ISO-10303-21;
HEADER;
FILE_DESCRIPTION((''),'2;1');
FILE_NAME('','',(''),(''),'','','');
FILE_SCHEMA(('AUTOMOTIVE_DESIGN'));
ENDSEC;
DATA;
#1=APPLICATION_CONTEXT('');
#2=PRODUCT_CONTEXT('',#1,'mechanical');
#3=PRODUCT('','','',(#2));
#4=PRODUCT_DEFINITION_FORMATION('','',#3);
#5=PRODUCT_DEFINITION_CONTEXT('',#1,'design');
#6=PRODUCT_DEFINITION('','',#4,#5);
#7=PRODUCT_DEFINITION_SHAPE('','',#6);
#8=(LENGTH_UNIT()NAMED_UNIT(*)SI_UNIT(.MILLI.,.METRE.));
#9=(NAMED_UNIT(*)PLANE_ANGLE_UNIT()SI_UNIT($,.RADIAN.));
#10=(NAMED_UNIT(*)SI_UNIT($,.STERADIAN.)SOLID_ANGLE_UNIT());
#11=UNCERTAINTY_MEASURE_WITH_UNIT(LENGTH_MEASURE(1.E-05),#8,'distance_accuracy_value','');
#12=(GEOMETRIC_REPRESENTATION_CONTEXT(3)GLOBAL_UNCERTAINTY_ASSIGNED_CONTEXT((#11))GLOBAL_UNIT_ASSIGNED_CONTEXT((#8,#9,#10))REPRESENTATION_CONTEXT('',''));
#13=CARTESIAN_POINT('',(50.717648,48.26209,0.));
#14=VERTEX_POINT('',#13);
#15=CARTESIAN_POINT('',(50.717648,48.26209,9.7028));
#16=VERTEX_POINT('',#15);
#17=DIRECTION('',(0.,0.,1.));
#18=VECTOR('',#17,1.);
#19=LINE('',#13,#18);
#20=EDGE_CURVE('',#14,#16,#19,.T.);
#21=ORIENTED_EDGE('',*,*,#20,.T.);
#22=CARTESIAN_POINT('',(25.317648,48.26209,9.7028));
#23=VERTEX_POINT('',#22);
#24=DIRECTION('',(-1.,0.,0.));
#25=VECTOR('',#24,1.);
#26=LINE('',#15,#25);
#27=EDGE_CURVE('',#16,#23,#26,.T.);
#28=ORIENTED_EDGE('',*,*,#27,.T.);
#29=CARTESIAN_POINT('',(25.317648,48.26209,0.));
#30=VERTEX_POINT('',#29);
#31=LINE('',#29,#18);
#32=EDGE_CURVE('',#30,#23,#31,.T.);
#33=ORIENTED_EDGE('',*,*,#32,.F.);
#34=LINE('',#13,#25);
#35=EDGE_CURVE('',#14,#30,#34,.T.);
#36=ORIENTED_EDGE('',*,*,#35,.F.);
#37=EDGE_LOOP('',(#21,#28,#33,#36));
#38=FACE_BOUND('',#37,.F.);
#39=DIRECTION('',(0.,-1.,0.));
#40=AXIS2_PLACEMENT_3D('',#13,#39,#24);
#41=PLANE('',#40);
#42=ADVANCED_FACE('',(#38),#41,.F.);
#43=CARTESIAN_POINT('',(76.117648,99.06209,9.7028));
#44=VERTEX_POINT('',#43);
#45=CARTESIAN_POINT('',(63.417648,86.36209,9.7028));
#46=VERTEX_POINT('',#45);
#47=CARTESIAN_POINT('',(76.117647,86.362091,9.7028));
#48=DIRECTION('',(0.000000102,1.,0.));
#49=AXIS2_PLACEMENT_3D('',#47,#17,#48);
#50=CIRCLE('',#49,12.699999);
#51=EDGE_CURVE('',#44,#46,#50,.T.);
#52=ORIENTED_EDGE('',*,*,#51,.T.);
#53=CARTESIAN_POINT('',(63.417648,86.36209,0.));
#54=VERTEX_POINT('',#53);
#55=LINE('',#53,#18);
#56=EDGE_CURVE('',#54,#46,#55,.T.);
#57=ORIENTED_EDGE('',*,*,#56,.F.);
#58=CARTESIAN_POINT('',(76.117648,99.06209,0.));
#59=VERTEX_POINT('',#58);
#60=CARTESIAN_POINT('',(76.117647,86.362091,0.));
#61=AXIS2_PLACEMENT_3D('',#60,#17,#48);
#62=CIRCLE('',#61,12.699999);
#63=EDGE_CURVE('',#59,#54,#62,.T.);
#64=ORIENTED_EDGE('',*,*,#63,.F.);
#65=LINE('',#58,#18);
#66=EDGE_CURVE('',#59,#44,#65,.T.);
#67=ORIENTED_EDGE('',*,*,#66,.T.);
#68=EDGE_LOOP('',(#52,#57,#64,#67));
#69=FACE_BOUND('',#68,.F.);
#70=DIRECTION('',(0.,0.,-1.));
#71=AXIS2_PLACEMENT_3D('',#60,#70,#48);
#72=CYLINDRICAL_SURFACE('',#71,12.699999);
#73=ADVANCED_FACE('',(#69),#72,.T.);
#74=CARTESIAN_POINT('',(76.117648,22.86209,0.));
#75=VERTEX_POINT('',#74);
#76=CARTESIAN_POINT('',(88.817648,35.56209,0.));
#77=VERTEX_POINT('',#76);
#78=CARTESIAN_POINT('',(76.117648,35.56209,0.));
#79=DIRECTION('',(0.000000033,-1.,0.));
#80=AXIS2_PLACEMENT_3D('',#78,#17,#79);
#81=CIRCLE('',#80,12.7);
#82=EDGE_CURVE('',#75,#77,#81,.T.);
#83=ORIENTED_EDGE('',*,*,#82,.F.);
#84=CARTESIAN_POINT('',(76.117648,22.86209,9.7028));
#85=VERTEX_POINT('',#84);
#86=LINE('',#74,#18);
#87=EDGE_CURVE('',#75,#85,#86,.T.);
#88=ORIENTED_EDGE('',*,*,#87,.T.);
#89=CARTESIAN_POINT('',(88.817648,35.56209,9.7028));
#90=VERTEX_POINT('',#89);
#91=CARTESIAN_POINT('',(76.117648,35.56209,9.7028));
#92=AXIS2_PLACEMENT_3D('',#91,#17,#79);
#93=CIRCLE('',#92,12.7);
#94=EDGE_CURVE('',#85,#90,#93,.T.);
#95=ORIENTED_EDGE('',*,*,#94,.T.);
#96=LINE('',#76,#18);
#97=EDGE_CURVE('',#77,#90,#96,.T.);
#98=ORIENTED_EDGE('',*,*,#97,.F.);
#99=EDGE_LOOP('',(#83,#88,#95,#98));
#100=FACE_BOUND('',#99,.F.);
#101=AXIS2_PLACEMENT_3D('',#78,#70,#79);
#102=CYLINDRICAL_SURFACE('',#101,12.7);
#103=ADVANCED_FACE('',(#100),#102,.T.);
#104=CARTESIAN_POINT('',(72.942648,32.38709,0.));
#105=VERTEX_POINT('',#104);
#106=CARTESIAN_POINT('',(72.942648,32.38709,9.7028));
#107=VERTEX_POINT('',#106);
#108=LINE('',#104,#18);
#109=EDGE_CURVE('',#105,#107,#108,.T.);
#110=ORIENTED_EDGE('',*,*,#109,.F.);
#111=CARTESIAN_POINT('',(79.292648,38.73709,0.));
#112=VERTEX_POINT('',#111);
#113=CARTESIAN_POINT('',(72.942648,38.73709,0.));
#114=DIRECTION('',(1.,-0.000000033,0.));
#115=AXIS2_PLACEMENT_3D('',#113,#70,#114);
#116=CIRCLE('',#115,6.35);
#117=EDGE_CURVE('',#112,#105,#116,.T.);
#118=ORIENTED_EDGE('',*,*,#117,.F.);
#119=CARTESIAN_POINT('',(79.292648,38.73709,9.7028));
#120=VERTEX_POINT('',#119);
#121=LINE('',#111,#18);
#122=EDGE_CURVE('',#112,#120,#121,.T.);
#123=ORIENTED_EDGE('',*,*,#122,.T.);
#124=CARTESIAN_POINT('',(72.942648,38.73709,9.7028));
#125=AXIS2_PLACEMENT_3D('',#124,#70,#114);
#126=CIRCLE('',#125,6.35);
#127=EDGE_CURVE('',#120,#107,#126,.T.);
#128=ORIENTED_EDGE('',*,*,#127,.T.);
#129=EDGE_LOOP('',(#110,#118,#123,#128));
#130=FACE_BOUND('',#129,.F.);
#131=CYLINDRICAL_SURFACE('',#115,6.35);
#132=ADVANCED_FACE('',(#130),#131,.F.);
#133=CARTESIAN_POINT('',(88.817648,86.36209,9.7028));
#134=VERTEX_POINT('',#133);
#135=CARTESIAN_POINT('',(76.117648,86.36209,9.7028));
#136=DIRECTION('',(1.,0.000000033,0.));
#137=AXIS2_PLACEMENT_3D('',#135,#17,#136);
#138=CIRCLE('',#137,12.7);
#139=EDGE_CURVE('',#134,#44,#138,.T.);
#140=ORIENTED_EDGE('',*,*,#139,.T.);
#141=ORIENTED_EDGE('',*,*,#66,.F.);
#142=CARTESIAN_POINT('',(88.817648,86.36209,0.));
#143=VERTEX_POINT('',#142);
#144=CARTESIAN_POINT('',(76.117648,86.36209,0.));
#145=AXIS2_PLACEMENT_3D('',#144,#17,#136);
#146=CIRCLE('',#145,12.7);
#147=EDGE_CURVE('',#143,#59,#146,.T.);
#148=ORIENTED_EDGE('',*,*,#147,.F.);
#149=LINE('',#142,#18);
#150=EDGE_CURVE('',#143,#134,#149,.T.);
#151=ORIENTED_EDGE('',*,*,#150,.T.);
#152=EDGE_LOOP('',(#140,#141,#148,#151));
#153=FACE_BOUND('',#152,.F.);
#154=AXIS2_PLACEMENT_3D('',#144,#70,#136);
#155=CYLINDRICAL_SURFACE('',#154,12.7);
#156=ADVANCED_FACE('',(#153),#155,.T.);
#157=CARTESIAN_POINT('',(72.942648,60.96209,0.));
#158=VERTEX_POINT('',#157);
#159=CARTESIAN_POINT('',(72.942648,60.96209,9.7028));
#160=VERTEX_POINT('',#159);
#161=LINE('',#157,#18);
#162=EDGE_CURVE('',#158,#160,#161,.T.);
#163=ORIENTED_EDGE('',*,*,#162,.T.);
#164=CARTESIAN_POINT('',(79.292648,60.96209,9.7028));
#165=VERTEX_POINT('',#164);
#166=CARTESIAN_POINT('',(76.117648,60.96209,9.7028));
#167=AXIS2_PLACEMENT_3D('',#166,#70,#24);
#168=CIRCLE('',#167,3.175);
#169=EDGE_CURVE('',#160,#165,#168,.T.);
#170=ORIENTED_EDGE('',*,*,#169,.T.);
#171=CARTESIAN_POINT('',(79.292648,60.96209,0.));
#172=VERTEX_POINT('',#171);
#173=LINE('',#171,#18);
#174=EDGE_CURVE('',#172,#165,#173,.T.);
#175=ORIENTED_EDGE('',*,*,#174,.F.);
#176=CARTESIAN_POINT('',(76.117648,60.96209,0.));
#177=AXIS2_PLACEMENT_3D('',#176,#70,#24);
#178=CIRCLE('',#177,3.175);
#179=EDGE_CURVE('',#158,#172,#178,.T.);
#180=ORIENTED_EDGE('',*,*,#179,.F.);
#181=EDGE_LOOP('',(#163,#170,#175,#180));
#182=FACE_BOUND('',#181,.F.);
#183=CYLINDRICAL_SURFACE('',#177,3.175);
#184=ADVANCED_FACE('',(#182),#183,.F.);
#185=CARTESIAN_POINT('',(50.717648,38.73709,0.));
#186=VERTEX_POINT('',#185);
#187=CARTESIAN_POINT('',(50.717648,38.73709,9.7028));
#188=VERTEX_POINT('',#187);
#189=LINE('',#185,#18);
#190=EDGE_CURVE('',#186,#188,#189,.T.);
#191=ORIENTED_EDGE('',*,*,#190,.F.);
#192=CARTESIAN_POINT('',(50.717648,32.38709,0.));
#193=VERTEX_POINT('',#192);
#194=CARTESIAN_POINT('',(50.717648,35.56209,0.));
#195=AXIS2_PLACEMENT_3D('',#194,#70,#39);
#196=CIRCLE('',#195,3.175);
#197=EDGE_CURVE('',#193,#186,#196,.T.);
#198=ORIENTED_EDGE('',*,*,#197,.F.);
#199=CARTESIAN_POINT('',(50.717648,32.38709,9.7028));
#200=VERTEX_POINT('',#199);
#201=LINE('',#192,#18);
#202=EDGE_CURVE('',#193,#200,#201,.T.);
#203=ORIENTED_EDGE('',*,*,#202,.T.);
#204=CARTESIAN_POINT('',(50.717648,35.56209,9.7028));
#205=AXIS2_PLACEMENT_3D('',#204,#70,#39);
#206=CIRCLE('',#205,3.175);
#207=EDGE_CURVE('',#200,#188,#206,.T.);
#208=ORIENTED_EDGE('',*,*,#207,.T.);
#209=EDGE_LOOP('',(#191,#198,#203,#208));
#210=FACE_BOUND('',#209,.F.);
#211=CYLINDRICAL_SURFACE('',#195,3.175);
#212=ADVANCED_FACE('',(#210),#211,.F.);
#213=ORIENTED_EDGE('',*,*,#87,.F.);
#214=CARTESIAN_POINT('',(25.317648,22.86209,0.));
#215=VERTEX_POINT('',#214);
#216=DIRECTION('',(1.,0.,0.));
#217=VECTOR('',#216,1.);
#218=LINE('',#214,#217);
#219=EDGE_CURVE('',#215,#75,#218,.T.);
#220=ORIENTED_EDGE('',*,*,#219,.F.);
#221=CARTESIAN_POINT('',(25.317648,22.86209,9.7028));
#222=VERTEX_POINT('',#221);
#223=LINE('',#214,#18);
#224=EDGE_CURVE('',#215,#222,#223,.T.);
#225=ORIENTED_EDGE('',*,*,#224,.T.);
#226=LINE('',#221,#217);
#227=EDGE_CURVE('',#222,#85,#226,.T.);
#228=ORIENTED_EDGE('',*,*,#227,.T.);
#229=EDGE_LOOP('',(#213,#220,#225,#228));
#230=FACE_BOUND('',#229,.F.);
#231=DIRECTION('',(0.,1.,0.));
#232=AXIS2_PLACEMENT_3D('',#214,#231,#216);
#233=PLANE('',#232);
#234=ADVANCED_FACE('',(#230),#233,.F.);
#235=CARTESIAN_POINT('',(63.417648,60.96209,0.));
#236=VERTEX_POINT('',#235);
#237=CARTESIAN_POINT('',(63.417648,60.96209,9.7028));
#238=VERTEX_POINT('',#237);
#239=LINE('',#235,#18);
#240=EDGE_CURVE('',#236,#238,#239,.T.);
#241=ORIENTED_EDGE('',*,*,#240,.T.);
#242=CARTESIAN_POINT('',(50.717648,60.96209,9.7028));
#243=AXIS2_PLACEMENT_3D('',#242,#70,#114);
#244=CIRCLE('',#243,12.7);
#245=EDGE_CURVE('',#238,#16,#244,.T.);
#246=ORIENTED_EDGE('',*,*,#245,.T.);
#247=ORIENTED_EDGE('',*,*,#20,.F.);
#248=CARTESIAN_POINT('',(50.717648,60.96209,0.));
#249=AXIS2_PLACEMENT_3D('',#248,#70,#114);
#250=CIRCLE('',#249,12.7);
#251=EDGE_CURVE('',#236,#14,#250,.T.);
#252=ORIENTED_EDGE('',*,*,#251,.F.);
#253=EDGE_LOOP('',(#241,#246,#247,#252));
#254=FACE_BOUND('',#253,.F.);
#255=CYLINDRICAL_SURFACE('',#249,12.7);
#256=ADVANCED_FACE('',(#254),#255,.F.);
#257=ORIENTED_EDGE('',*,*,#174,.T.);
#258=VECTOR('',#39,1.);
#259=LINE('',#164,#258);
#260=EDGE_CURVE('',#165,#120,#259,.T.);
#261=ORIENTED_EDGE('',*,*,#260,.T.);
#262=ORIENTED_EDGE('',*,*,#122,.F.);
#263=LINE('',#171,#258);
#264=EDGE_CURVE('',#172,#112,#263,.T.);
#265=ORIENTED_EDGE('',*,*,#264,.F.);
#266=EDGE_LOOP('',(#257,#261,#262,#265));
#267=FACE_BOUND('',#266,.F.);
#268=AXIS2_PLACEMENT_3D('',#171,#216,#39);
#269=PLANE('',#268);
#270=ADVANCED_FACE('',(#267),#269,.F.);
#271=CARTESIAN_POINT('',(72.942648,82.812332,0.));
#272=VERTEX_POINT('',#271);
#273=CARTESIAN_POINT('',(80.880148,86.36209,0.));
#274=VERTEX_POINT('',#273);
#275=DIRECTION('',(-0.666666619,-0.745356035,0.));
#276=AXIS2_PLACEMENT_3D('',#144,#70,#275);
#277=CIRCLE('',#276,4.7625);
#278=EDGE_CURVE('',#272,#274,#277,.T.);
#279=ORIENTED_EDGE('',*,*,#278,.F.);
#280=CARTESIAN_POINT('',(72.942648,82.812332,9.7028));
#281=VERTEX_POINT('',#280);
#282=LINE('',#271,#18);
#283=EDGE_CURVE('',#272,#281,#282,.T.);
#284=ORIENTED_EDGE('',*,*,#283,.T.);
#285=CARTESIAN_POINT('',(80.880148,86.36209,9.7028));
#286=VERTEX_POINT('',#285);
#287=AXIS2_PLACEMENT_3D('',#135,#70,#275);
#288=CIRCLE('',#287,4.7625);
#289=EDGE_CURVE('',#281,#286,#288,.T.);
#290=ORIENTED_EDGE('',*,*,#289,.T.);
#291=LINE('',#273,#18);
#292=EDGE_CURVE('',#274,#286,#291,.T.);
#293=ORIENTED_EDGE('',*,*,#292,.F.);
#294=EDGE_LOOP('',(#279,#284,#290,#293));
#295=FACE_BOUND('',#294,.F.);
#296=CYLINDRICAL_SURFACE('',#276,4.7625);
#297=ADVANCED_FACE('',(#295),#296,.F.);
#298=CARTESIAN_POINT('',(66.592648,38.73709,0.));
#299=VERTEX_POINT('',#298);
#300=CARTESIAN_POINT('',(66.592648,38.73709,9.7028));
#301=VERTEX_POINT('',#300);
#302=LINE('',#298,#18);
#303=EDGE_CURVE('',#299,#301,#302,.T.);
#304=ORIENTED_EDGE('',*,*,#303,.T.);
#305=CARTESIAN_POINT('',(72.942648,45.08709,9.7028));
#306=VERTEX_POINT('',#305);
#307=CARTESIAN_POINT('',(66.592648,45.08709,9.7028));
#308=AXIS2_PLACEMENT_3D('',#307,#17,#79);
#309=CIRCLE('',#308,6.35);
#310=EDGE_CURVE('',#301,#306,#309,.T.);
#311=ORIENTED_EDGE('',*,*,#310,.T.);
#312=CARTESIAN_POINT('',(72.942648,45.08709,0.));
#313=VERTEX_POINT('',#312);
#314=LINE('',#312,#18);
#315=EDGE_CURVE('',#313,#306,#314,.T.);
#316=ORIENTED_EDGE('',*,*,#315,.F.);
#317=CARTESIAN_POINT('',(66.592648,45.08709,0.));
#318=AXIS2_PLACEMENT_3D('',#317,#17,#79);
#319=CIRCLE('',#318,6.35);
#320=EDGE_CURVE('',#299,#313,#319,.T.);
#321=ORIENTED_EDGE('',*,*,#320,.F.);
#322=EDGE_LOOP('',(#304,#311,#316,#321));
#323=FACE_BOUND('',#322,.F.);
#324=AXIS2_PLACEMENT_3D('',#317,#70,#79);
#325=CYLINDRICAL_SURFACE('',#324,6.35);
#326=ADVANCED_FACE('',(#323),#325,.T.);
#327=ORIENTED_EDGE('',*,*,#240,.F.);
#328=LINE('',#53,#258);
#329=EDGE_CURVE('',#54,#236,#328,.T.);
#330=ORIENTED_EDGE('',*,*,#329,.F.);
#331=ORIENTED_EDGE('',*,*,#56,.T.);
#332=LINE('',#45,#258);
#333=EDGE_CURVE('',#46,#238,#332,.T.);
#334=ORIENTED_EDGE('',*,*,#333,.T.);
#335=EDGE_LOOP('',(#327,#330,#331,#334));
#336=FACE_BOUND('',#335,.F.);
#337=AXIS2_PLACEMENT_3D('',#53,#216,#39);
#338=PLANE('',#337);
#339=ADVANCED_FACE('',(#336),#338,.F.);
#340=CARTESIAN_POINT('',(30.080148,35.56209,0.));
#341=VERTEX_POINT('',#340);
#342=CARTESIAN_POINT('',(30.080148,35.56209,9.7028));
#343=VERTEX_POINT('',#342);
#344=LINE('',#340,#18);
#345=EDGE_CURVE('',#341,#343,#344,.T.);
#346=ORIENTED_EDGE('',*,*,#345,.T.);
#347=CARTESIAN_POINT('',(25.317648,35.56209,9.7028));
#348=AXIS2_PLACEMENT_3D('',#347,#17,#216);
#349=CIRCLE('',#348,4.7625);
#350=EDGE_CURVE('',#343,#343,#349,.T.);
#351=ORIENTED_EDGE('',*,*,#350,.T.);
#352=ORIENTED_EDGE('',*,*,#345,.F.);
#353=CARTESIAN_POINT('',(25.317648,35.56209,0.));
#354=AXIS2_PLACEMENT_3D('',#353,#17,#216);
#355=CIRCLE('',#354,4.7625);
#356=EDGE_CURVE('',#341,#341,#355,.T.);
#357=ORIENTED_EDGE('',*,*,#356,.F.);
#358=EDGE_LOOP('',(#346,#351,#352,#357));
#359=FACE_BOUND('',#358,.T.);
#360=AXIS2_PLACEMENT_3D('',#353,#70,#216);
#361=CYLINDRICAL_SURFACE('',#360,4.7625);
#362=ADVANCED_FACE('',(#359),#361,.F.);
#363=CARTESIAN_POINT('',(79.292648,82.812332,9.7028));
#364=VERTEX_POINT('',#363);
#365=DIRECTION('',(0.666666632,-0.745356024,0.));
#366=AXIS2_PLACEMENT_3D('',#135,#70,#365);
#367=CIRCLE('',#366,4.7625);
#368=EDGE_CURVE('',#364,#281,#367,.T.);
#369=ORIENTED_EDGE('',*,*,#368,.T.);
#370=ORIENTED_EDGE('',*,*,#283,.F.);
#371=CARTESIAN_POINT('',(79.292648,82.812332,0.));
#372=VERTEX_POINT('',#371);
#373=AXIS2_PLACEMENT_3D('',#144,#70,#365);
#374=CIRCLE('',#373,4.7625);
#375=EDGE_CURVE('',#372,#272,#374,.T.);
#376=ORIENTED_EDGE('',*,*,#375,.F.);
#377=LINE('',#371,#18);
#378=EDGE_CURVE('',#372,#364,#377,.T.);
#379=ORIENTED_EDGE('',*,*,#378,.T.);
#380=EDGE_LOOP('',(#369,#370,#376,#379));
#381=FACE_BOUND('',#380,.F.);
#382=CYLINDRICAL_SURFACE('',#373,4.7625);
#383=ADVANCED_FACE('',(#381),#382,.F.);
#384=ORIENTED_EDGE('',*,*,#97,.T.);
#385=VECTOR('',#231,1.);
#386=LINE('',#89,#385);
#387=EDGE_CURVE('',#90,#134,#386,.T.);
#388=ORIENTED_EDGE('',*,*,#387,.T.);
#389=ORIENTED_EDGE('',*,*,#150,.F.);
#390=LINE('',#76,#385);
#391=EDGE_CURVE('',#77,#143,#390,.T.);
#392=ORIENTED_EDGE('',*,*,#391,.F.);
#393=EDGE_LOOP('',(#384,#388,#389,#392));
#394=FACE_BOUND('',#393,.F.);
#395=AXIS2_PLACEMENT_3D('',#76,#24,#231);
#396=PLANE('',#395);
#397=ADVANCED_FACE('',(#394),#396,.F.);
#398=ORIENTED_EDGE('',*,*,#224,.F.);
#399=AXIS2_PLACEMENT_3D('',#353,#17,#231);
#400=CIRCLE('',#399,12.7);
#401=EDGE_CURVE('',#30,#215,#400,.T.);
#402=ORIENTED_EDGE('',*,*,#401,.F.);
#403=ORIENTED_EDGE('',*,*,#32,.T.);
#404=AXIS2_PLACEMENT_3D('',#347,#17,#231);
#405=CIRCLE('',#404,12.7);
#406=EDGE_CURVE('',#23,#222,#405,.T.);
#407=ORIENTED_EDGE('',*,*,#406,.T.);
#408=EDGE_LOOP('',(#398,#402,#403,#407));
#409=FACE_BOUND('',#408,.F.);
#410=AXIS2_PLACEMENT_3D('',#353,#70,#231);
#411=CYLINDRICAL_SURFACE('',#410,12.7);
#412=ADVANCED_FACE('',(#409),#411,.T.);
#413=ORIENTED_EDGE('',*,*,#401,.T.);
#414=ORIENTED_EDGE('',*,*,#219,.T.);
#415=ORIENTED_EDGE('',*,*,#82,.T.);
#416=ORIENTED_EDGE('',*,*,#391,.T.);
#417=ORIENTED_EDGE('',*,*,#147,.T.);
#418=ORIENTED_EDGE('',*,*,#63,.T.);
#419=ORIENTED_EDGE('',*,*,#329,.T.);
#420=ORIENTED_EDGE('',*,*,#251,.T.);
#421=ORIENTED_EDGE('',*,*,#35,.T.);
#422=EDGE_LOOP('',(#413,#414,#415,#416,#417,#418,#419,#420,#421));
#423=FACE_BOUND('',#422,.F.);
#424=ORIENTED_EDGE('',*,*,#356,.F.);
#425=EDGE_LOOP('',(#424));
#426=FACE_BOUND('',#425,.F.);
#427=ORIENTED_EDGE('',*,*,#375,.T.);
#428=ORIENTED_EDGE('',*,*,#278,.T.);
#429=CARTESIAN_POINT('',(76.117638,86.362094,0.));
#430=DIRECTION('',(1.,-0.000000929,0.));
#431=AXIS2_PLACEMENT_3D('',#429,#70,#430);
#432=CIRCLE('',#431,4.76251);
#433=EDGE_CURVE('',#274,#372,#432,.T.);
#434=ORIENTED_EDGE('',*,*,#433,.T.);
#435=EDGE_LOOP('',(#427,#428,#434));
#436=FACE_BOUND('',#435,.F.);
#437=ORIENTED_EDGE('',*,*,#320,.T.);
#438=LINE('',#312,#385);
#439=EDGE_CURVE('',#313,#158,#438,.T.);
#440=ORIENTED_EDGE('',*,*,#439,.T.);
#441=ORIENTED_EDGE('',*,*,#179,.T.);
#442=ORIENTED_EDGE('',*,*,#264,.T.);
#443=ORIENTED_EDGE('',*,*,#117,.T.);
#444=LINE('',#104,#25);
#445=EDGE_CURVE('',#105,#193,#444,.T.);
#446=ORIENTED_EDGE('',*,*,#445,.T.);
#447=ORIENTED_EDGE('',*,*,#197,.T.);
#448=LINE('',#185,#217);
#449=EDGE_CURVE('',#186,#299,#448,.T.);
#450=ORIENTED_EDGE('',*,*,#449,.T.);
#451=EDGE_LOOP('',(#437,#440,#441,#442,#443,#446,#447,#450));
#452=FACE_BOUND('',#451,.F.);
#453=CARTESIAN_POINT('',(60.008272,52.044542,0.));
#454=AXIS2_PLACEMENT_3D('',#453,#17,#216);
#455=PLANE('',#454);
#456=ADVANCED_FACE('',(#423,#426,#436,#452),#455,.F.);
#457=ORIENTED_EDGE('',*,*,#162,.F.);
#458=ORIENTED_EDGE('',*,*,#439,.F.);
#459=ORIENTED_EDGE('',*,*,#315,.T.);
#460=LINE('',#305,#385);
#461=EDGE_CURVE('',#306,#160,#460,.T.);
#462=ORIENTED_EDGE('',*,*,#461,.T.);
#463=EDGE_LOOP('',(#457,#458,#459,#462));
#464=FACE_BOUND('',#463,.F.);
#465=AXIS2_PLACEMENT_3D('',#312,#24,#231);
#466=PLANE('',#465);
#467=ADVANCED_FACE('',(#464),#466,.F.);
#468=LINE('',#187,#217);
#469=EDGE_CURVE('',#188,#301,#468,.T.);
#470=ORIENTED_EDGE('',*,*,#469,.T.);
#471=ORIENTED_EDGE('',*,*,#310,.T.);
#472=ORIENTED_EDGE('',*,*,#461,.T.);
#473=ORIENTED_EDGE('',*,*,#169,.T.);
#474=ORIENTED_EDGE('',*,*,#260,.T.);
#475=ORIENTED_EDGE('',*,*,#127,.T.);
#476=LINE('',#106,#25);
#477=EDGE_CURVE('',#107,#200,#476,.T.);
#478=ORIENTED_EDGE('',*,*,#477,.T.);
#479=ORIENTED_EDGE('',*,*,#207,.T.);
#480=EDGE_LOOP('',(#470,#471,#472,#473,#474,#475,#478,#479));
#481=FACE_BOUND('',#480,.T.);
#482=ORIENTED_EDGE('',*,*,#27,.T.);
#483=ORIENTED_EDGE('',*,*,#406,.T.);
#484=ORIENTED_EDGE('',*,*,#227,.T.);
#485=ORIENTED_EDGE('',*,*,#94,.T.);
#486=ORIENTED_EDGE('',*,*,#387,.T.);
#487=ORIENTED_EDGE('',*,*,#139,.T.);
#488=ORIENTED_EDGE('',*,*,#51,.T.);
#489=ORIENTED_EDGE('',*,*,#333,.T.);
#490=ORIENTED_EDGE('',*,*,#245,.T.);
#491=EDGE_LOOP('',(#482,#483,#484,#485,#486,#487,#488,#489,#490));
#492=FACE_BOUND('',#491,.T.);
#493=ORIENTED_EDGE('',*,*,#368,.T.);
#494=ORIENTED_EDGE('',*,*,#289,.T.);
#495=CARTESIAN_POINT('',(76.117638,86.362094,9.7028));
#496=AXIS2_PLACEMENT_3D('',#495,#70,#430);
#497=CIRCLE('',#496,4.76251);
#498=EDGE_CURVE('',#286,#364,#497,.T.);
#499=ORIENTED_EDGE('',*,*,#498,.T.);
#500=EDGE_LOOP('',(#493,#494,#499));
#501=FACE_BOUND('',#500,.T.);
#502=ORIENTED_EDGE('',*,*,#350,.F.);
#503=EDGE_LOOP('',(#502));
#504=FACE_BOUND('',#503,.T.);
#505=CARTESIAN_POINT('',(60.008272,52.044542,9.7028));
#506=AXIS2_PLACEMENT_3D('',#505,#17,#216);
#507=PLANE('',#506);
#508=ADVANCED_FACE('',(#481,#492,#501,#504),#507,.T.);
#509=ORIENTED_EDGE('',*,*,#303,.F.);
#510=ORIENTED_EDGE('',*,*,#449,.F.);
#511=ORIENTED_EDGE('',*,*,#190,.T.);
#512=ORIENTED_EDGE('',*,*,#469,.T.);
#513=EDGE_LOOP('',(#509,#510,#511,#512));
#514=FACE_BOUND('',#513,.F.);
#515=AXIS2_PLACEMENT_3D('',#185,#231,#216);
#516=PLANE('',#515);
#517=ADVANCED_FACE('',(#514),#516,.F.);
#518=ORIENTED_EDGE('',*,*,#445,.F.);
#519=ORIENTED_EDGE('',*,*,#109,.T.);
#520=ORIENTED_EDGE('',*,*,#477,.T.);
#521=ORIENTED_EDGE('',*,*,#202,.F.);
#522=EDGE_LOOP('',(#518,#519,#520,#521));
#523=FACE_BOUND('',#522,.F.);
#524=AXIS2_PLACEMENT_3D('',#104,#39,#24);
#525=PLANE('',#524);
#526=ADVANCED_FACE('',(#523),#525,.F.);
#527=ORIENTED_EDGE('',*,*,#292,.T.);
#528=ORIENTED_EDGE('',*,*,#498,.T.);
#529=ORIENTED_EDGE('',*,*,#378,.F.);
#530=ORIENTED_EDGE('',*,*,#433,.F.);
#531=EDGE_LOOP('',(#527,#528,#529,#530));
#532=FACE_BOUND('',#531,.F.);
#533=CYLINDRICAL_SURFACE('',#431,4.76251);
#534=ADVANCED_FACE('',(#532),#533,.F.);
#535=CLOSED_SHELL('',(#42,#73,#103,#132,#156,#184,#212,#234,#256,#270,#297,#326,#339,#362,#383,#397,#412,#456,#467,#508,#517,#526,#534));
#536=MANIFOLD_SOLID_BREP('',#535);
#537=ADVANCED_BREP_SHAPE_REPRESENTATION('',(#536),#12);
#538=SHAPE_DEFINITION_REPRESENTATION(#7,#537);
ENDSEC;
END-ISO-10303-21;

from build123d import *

# Parameters (mm, degrees)
F0_R     = 4.7625
F1_DEPTH = 9.7028


with BuildPart() as f1:
    # F0 (on Top) → F1 (new body)
    with BuildSketch(Plane.XY):
        with BuildLine():
            ThreePointArc((25.317648, 48.26209), (12.617648, 35.56209), (25.317648, 22.86209))
            Line((25.317648, 22.86209), (76.117648, 22.86209))
            ThreePointArc((76.117648, 22.86209), (85.097904, 26.581834), (88.817648, 35.56209))
            Line((88.817648, 35.56209), (88.817648, 86.36209))
            ThreePointArc((88.817648, 86.36209), (85.097904, 95.342346), (76.117648, 99.06209))
            ThreePointArc((76.117648, 99.06209), (67.137391, 95.342346), (63.417648, 86.36209))
            Line((63.417648, 86.36209), (63.417648, 60.96209))
            ThreePointArc((63.417648, 60.96209), (59.697904, 51.981834), (50.717648, 48.26209))
            Line((50.717648, 48.26209), (25.317648, 48.26209))
        make_face()
        with Locations((25.317648, 35.56209)):
            Circle(F0_R, mode=Mode.SUBTRACT)
        with BuildLine():
            Line((79.292648, 60.96209), (79.292648, 38.73709))
            ThreePointArc((79.292648, 38.73709), (77.432776, 34.246962), (72.942648, 32.38709))
            Line((72.942648, 32.38709), (50.717648, 32.38709))
            ThreePointArc((50.717648, 32.38709), (47.542648, 35.56209), (50.717648, 38.73709))
            Line((50.717648, 38.73709), (66.592648, 38.73709))
            ThreePointArc((66.592648, 38.73709), (71.082776, 40.596962), (72.942648, 45.08709))
            Line((72.942648, 45.08709), (72.942648, 60.96209))
            ThreePointArc((72.942648, 60.96209), (76.117648, 64.13709), (79.292648, 60.96209))
        make_face(mode=Mode.SUBTRACT)
        with BuildLine():
            ThreePointArc((72.942648, 82.812332), (74.173365, 90.709638), (80.880148, 86.36209))
            ThreePointArc((80.880148, 86.36209), (80.465195, 84.417808), (79.292648, 82.812332))
            ThreePointArc((79.292648, 82.812332), (76.117648, 81.59959), (72.942648, 82.812332))
        make_face(mode=Mode.SUBTRACT)
    extrude(amount=F1_DEPTH)


solid = f1.part
